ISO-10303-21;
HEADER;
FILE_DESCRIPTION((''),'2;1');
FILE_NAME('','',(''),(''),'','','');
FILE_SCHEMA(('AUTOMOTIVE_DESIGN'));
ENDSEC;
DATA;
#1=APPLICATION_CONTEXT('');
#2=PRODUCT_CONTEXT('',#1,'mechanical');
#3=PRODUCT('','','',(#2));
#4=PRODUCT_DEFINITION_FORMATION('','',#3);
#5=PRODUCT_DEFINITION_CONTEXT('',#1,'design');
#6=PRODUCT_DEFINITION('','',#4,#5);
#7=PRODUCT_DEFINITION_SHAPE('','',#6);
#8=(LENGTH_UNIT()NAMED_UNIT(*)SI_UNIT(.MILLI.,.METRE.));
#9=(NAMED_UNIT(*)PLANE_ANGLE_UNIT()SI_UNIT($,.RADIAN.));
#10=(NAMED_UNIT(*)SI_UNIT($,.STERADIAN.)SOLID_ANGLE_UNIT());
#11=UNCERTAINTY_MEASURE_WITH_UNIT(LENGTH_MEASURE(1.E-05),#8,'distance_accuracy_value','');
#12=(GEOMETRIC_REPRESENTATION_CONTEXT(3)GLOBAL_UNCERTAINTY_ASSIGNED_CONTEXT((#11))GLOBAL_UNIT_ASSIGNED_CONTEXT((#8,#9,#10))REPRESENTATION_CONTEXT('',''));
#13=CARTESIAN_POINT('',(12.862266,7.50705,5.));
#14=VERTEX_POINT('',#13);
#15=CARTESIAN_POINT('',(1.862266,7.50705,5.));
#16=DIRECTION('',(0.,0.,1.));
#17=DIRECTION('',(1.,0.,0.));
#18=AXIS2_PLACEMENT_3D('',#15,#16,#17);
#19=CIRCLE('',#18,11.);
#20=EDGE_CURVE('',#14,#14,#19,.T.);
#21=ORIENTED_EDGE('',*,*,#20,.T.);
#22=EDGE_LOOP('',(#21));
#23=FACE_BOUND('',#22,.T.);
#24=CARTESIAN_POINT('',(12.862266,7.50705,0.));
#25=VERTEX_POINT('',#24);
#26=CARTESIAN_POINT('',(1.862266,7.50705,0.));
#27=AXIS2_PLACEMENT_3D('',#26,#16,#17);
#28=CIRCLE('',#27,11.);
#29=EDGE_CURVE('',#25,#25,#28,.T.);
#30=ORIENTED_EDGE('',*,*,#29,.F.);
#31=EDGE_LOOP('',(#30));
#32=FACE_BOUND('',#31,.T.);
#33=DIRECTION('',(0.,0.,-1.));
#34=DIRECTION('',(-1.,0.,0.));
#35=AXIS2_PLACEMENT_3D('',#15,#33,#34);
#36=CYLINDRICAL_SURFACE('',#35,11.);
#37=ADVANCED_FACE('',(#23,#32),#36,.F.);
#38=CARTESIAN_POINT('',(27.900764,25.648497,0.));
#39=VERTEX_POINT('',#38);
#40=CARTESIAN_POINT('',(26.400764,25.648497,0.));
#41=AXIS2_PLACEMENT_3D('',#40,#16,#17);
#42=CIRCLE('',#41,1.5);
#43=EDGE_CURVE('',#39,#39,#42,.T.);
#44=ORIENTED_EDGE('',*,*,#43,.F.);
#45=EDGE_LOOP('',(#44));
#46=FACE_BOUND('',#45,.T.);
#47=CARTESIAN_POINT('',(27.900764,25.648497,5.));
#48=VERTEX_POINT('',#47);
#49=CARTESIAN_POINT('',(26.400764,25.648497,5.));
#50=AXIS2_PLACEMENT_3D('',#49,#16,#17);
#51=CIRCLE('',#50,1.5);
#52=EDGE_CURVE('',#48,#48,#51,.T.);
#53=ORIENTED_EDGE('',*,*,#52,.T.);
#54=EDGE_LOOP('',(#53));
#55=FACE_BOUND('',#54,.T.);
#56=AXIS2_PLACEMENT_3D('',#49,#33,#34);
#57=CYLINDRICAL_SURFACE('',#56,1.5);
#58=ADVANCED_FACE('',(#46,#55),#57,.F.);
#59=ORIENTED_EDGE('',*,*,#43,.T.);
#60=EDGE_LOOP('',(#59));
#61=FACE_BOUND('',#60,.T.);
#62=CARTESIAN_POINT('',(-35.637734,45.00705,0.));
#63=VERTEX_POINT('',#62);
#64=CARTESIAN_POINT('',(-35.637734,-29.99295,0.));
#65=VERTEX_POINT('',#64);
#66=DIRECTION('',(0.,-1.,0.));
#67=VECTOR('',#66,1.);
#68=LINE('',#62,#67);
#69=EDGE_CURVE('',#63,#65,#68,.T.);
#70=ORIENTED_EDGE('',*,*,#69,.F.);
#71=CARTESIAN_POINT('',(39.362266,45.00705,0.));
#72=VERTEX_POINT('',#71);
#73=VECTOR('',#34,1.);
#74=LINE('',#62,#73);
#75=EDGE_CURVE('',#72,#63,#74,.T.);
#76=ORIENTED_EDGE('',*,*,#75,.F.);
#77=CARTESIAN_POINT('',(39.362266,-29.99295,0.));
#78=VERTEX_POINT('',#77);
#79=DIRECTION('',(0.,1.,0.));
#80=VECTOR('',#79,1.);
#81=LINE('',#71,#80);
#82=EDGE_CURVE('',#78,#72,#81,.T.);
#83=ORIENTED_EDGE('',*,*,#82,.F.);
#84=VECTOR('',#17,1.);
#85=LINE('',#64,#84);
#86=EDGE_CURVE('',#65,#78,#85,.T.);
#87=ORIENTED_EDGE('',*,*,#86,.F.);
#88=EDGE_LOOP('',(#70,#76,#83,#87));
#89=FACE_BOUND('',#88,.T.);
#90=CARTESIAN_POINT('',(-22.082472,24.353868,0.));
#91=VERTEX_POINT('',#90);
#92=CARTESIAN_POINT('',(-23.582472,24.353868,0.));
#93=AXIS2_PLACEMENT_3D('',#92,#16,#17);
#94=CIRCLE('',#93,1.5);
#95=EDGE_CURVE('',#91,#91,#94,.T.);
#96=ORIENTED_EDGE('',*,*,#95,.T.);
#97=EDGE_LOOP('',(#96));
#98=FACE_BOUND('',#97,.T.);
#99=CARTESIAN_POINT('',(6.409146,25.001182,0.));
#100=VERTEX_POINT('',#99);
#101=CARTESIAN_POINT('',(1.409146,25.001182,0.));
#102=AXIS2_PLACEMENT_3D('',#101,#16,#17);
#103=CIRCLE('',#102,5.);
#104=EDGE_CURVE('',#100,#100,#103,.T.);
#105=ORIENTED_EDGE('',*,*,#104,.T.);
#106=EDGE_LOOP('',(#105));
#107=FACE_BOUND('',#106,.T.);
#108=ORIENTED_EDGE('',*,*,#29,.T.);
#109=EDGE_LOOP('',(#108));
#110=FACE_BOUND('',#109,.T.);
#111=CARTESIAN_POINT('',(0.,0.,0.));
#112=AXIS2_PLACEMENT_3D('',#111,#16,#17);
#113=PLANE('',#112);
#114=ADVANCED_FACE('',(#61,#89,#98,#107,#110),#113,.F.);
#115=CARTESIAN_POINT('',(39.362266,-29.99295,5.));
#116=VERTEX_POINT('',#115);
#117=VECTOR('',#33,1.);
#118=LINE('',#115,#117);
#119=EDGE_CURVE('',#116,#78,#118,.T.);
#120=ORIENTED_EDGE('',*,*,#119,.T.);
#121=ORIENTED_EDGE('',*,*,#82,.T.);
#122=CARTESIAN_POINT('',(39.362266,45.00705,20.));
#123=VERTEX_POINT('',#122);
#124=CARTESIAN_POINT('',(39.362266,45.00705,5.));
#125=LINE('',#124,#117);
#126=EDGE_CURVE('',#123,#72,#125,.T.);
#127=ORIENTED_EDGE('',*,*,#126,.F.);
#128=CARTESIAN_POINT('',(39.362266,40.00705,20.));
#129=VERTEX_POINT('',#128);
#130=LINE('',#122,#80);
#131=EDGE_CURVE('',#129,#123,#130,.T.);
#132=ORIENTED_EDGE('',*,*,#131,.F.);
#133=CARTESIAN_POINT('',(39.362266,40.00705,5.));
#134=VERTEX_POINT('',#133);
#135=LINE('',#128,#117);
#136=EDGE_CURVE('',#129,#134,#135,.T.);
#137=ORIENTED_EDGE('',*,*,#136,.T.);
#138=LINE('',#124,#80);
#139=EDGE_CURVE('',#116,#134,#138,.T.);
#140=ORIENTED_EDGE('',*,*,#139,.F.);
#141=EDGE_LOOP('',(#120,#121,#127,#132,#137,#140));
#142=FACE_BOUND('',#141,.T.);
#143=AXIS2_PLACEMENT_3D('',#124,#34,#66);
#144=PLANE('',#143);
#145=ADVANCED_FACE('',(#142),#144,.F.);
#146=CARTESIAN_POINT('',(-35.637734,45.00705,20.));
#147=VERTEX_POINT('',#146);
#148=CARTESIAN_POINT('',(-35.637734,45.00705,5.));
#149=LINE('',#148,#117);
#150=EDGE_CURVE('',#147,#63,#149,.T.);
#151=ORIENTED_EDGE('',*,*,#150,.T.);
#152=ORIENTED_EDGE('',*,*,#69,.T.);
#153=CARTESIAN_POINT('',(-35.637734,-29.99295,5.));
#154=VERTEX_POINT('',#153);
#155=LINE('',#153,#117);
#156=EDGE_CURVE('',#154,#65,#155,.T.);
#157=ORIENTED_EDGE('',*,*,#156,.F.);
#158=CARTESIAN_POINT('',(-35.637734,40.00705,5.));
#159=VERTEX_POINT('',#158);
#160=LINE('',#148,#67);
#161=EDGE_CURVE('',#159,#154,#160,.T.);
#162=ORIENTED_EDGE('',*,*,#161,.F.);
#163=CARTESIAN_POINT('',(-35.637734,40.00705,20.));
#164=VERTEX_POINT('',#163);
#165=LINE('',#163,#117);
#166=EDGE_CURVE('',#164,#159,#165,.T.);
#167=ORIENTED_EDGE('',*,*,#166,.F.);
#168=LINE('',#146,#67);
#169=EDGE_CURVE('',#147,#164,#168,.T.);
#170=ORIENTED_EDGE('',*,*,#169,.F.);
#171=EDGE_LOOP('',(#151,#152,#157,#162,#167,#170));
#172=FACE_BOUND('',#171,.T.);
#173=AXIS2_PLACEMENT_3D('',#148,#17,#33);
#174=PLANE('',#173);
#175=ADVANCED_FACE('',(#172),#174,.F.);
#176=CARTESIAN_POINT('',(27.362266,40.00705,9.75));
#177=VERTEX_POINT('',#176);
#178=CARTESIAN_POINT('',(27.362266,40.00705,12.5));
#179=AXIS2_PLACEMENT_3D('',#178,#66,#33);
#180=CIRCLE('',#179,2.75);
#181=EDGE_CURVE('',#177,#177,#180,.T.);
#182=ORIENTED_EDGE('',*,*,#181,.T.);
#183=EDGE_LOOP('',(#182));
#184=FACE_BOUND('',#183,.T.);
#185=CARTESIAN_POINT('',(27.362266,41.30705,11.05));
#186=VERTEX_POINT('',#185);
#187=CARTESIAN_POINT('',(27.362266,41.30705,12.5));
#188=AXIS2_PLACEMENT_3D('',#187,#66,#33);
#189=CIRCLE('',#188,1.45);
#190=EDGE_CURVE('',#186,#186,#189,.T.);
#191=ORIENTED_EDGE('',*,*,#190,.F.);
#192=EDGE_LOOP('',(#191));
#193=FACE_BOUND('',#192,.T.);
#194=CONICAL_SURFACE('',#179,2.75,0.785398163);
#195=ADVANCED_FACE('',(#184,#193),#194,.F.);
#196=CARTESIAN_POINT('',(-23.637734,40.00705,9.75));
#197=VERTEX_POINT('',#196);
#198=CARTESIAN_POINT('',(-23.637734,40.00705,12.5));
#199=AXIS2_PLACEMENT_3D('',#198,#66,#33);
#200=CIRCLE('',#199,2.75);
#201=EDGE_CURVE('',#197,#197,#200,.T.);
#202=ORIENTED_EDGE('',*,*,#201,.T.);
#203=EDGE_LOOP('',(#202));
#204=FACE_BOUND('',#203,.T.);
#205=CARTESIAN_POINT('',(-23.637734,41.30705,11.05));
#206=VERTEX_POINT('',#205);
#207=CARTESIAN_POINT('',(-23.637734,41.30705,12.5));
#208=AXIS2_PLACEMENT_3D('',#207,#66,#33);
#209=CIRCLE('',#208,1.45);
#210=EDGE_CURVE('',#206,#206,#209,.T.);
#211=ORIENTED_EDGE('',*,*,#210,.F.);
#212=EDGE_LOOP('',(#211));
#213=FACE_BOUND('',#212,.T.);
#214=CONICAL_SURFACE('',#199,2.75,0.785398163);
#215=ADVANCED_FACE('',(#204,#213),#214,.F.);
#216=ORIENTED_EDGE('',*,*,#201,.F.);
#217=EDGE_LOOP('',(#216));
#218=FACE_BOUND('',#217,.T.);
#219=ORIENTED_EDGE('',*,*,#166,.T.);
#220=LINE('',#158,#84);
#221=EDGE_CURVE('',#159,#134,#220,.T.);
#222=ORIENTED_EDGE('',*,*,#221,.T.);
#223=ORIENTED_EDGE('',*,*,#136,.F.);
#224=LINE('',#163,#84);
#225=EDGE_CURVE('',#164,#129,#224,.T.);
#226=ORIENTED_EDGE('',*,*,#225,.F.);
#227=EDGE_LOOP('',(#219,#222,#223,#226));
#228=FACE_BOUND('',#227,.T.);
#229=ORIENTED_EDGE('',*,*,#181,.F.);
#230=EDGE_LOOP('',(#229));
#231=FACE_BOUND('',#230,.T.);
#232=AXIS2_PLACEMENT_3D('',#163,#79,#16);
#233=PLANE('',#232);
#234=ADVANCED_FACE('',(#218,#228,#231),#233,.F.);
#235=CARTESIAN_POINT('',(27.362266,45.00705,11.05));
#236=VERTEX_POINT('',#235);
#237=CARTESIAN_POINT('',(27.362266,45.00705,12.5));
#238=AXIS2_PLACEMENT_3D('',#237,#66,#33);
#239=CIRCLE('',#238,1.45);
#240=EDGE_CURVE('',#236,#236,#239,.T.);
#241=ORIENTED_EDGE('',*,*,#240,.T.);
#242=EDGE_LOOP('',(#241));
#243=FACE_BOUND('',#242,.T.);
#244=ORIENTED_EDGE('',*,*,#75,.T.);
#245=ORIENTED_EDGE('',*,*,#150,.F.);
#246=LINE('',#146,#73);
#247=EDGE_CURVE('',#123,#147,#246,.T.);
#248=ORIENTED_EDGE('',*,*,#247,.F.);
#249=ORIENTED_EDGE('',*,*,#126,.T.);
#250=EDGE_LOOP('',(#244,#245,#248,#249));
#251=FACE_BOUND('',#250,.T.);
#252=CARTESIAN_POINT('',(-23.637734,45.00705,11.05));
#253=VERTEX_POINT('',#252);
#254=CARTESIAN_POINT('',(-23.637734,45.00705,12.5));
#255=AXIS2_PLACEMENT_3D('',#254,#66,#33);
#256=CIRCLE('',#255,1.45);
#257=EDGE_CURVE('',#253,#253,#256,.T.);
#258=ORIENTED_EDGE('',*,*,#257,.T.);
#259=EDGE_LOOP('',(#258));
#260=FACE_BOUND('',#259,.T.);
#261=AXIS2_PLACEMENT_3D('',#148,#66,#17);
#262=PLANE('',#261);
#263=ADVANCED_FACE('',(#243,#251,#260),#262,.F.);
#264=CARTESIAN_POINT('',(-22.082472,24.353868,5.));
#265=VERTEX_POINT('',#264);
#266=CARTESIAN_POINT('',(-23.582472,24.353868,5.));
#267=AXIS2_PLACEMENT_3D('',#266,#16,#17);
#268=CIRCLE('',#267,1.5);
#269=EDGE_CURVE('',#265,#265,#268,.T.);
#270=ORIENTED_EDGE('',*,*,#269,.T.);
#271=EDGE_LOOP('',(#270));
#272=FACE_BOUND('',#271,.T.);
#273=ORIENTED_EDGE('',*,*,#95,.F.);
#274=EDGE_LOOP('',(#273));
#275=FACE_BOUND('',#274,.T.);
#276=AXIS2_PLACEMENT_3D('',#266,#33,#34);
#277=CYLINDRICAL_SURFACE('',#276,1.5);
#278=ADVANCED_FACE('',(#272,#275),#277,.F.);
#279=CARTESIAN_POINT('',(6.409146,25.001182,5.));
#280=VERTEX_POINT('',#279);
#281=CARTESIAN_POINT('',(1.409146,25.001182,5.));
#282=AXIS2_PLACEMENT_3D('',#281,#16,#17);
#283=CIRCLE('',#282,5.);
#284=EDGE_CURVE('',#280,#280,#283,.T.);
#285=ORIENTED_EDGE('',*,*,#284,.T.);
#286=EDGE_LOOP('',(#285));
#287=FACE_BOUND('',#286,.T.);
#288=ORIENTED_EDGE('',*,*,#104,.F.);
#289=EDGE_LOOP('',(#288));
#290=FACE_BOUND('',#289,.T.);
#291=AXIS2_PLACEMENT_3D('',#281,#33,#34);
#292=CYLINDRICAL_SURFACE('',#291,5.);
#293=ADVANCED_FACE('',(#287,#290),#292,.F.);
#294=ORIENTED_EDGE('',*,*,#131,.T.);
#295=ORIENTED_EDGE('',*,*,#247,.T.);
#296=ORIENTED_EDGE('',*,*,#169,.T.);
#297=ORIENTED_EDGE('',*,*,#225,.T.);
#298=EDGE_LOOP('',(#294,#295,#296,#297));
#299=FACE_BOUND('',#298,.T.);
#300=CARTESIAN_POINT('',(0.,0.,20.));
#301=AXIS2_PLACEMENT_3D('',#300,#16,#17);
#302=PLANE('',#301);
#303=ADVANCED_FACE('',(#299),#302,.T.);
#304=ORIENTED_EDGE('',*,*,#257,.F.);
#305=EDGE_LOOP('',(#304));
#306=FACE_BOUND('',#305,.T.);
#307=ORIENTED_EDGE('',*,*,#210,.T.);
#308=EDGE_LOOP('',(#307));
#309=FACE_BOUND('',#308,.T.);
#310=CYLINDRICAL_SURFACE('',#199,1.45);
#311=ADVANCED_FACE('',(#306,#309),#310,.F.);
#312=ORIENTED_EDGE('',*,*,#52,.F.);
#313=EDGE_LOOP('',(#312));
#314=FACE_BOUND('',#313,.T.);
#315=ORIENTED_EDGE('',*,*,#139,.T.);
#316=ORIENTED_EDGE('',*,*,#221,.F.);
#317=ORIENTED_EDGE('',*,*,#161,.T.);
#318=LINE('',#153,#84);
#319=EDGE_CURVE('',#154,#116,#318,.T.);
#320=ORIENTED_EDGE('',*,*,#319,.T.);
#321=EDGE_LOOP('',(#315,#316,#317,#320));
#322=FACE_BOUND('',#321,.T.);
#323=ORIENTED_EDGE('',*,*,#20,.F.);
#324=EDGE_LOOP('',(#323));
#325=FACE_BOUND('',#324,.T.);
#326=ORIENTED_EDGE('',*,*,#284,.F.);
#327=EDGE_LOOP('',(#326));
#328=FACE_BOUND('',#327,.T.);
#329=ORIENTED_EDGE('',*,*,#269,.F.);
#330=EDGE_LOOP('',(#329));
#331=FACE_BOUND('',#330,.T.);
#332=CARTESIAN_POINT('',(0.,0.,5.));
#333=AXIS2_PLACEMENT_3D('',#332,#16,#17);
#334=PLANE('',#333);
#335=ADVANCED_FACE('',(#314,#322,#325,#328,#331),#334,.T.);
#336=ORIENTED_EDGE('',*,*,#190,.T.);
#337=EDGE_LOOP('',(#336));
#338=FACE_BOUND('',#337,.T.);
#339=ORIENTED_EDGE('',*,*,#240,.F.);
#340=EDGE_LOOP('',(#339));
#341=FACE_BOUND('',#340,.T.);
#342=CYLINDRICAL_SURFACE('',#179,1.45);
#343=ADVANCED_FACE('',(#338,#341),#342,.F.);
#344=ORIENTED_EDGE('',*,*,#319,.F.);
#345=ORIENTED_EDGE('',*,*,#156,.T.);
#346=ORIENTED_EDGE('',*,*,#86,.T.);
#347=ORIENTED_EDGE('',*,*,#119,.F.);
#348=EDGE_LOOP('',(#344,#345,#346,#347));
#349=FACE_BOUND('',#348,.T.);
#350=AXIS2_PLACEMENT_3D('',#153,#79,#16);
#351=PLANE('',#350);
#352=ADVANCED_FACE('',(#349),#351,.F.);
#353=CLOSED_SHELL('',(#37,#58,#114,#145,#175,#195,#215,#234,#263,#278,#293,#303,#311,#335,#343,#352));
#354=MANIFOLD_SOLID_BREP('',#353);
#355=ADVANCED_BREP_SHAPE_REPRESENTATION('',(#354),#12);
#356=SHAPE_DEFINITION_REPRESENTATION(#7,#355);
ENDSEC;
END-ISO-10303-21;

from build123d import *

# Parameters (mm, degrees)
SKETCH1_W                                         = 75
SKETCH1_H                                         = 75
SKETCH1_R                                         = 11
SKETCH1_R_2                                       = 5
SKETCH1_R_3                                       = 1.5
BOSS_EXTRUDE1_DEPTH                               = 5
SKETCH3_W                                         = 75
SKETCH3_H                                         = 5
BOSS_EXTRUDE2_DEPTH                               = 15
CSK_FOR_M2_5_FLAT_HEAD_MACHINE_SCREW1_D           = 2.9
CSK_FOR_M2_5_FLAT_HEAD_MACHINE_SCREW1_CSINK_D     = 5.5
CSK_FOR_M2_5_FLAT_HEAD_MACHINE_SCREW1_CSINK_ANGLE = 90


with BuildPart() as part:
    # Sketch1 → Boss-Extrude1 (new body)
    with BuildSketch(Plane.XY):
        with Locations((1.86226596, 7.507049672)):
            Rectangle(SKETCH1_W, SKETCH1_H)
        with Locations((1.86226596, 7.507049672)):
            Circle(SKETCH1_R, mode=Mode.SUBTRACT)
        with Locations((1.409145794, 25.001182464)):
            Circle(SKETCH1_R_2, mode=Mode.SUBTRACT)
        with Locations((-23.582472479, 24.353867941)):
            Circle(SKETCH1_R_3, mode=Mode.SUBTRACT)
        with Locations((26.400764067, 25.648496986)):
            Circle(SKETCH1_R_3, mode=Mode.SUBTRACT)
    extrude(amount=BOSS_EXTRUDE1_DEPTH)

    # Sketch3 → Boss-Extrude2 (add)
    with BuildSketch(Plane.XY.offset(5)):
        with Locations((1.86226596, 42.507049672)):
            Rectangle(SKETCH3_W, SKETCH3_H)
    extrude(amount=BOSS_EXTRUDE2_DEPTH)

    # CSK for M2.5 Flat Head Machine Screw1 (through all)
    with Locations(Plane(origin=(0, 40.007049672, 0), x_dir=(-1, 0, 0), z_dir=(0, -1, 0))):
        with Locations((-27.36226596, -12.5), (23.63773404, -12.5)):
            CounterSinkHole(CSK_FOR_M2_5_FLAT_HEAD_MACHINE_SCREW1_D / 2, CSK_FOR_M2_5_FLAT_HEAD_MACHINE_SCREW1_CSINK_D / 2, counter_sink_angle=CSK_FOR_M2_5_FLAT_HEAD_MACHINE_SCREW1_CSINK_ANGLE)


solid = part.part
